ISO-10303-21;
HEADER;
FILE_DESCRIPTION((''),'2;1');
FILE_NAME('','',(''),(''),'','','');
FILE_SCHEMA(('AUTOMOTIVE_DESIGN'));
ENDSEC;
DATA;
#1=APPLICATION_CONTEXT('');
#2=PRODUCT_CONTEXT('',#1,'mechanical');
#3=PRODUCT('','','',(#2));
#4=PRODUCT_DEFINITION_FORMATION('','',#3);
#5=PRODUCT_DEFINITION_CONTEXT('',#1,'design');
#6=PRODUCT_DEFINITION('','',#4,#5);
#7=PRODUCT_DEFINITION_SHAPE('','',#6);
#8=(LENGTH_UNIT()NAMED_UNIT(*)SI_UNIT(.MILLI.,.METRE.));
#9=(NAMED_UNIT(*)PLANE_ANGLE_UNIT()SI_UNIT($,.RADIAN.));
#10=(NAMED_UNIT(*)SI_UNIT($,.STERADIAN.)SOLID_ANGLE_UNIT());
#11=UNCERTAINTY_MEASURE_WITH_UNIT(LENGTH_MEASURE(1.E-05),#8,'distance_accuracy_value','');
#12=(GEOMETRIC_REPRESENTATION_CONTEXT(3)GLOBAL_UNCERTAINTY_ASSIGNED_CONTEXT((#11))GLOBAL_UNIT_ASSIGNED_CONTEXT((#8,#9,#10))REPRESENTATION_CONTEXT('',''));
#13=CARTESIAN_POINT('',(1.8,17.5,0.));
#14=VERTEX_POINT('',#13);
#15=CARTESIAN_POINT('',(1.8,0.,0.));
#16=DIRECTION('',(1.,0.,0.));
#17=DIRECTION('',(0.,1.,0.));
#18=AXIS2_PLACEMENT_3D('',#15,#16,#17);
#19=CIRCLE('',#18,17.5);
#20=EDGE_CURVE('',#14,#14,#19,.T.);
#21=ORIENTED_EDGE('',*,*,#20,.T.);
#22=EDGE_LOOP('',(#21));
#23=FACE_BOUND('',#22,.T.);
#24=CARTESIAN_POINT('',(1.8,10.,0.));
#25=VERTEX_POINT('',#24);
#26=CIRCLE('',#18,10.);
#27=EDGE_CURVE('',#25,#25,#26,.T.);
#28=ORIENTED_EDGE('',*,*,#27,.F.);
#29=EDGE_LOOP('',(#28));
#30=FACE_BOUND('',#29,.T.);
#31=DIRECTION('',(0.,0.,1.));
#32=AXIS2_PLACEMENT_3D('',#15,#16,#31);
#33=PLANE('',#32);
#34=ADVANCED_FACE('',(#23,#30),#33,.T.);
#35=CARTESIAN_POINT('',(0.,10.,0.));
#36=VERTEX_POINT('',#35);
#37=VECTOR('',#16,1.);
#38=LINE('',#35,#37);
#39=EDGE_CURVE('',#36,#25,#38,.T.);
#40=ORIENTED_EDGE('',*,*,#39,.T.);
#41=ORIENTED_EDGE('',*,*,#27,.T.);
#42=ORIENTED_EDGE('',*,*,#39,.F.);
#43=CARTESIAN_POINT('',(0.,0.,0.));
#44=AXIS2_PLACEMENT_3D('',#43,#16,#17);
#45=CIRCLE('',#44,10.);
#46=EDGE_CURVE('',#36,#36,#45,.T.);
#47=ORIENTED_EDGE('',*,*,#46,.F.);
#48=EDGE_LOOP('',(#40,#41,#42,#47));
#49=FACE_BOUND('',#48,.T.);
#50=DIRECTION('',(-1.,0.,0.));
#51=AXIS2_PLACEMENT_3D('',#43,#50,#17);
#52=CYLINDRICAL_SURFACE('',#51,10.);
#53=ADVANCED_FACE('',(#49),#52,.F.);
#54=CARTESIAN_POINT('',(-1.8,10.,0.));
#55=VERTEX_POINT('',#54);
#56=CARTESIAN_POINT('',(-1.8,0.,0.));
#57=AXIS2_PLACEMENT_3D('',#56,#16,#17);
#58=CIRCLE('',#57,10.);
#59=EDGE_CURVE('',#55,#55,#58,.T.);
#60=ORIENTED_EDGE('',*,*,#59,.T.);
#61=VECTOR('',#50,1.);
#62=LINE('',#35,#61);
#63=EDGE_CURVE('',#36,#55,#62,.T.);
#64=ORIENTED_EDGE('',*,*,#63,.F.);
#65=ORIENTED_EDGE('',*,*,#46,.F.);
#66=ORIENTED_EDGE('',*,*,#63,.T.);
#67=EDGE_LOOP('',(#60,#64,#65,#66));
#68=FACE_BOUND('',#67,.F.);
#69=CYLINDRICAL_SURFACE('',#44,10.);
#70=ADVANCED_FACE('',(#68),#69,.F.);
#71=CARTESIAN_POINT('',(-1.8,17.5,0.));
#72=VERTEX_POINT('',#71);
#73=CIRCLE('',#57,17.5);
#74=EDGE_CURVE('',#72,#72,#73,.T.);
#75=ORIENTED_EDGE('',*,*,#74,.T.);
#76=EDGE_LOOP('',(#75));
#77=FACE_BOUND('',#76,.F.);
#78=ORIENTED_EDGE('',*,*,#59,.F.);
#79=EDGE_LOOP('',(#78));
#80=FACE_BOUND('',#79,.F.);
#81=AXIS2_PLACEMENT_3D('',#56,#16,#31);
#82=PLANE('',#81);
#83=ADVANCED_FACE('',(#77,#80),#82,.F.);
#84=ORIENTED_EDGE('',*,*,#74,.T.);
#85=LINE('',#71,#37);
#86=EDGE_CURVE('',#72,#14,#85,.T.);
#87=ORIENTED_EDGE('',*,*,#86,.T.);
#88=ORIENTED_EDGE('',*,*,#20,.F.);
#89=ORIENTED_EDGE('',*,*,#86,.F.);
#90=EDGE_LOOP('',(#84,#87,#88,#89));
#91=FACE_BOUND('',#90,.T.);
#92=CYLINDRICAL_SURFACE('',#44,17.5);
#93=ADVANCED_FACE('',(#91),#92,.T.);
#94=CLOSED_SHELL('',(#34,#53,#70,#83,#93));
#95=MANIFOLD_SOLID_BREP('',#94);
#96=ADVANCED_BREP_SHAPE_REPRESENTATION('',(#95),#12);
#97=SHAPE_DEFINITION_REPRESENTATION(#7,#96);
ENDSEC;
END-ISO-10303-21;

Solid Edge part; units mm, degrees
sketch "Sketch1" plane through (0, 0, 0) normal (1, 0, 0) x (0, 1, 0)
  circle A0 centre (0, 0) radius 17.5
  circle A1 centre (0, 0) radius 10
extrude "ExtrudedProtrusion_1" add sketch "Sketch1" against normal blind 1.8 and the other way blind 1.8
properties part number "SKF_81104 TN_PART1"
